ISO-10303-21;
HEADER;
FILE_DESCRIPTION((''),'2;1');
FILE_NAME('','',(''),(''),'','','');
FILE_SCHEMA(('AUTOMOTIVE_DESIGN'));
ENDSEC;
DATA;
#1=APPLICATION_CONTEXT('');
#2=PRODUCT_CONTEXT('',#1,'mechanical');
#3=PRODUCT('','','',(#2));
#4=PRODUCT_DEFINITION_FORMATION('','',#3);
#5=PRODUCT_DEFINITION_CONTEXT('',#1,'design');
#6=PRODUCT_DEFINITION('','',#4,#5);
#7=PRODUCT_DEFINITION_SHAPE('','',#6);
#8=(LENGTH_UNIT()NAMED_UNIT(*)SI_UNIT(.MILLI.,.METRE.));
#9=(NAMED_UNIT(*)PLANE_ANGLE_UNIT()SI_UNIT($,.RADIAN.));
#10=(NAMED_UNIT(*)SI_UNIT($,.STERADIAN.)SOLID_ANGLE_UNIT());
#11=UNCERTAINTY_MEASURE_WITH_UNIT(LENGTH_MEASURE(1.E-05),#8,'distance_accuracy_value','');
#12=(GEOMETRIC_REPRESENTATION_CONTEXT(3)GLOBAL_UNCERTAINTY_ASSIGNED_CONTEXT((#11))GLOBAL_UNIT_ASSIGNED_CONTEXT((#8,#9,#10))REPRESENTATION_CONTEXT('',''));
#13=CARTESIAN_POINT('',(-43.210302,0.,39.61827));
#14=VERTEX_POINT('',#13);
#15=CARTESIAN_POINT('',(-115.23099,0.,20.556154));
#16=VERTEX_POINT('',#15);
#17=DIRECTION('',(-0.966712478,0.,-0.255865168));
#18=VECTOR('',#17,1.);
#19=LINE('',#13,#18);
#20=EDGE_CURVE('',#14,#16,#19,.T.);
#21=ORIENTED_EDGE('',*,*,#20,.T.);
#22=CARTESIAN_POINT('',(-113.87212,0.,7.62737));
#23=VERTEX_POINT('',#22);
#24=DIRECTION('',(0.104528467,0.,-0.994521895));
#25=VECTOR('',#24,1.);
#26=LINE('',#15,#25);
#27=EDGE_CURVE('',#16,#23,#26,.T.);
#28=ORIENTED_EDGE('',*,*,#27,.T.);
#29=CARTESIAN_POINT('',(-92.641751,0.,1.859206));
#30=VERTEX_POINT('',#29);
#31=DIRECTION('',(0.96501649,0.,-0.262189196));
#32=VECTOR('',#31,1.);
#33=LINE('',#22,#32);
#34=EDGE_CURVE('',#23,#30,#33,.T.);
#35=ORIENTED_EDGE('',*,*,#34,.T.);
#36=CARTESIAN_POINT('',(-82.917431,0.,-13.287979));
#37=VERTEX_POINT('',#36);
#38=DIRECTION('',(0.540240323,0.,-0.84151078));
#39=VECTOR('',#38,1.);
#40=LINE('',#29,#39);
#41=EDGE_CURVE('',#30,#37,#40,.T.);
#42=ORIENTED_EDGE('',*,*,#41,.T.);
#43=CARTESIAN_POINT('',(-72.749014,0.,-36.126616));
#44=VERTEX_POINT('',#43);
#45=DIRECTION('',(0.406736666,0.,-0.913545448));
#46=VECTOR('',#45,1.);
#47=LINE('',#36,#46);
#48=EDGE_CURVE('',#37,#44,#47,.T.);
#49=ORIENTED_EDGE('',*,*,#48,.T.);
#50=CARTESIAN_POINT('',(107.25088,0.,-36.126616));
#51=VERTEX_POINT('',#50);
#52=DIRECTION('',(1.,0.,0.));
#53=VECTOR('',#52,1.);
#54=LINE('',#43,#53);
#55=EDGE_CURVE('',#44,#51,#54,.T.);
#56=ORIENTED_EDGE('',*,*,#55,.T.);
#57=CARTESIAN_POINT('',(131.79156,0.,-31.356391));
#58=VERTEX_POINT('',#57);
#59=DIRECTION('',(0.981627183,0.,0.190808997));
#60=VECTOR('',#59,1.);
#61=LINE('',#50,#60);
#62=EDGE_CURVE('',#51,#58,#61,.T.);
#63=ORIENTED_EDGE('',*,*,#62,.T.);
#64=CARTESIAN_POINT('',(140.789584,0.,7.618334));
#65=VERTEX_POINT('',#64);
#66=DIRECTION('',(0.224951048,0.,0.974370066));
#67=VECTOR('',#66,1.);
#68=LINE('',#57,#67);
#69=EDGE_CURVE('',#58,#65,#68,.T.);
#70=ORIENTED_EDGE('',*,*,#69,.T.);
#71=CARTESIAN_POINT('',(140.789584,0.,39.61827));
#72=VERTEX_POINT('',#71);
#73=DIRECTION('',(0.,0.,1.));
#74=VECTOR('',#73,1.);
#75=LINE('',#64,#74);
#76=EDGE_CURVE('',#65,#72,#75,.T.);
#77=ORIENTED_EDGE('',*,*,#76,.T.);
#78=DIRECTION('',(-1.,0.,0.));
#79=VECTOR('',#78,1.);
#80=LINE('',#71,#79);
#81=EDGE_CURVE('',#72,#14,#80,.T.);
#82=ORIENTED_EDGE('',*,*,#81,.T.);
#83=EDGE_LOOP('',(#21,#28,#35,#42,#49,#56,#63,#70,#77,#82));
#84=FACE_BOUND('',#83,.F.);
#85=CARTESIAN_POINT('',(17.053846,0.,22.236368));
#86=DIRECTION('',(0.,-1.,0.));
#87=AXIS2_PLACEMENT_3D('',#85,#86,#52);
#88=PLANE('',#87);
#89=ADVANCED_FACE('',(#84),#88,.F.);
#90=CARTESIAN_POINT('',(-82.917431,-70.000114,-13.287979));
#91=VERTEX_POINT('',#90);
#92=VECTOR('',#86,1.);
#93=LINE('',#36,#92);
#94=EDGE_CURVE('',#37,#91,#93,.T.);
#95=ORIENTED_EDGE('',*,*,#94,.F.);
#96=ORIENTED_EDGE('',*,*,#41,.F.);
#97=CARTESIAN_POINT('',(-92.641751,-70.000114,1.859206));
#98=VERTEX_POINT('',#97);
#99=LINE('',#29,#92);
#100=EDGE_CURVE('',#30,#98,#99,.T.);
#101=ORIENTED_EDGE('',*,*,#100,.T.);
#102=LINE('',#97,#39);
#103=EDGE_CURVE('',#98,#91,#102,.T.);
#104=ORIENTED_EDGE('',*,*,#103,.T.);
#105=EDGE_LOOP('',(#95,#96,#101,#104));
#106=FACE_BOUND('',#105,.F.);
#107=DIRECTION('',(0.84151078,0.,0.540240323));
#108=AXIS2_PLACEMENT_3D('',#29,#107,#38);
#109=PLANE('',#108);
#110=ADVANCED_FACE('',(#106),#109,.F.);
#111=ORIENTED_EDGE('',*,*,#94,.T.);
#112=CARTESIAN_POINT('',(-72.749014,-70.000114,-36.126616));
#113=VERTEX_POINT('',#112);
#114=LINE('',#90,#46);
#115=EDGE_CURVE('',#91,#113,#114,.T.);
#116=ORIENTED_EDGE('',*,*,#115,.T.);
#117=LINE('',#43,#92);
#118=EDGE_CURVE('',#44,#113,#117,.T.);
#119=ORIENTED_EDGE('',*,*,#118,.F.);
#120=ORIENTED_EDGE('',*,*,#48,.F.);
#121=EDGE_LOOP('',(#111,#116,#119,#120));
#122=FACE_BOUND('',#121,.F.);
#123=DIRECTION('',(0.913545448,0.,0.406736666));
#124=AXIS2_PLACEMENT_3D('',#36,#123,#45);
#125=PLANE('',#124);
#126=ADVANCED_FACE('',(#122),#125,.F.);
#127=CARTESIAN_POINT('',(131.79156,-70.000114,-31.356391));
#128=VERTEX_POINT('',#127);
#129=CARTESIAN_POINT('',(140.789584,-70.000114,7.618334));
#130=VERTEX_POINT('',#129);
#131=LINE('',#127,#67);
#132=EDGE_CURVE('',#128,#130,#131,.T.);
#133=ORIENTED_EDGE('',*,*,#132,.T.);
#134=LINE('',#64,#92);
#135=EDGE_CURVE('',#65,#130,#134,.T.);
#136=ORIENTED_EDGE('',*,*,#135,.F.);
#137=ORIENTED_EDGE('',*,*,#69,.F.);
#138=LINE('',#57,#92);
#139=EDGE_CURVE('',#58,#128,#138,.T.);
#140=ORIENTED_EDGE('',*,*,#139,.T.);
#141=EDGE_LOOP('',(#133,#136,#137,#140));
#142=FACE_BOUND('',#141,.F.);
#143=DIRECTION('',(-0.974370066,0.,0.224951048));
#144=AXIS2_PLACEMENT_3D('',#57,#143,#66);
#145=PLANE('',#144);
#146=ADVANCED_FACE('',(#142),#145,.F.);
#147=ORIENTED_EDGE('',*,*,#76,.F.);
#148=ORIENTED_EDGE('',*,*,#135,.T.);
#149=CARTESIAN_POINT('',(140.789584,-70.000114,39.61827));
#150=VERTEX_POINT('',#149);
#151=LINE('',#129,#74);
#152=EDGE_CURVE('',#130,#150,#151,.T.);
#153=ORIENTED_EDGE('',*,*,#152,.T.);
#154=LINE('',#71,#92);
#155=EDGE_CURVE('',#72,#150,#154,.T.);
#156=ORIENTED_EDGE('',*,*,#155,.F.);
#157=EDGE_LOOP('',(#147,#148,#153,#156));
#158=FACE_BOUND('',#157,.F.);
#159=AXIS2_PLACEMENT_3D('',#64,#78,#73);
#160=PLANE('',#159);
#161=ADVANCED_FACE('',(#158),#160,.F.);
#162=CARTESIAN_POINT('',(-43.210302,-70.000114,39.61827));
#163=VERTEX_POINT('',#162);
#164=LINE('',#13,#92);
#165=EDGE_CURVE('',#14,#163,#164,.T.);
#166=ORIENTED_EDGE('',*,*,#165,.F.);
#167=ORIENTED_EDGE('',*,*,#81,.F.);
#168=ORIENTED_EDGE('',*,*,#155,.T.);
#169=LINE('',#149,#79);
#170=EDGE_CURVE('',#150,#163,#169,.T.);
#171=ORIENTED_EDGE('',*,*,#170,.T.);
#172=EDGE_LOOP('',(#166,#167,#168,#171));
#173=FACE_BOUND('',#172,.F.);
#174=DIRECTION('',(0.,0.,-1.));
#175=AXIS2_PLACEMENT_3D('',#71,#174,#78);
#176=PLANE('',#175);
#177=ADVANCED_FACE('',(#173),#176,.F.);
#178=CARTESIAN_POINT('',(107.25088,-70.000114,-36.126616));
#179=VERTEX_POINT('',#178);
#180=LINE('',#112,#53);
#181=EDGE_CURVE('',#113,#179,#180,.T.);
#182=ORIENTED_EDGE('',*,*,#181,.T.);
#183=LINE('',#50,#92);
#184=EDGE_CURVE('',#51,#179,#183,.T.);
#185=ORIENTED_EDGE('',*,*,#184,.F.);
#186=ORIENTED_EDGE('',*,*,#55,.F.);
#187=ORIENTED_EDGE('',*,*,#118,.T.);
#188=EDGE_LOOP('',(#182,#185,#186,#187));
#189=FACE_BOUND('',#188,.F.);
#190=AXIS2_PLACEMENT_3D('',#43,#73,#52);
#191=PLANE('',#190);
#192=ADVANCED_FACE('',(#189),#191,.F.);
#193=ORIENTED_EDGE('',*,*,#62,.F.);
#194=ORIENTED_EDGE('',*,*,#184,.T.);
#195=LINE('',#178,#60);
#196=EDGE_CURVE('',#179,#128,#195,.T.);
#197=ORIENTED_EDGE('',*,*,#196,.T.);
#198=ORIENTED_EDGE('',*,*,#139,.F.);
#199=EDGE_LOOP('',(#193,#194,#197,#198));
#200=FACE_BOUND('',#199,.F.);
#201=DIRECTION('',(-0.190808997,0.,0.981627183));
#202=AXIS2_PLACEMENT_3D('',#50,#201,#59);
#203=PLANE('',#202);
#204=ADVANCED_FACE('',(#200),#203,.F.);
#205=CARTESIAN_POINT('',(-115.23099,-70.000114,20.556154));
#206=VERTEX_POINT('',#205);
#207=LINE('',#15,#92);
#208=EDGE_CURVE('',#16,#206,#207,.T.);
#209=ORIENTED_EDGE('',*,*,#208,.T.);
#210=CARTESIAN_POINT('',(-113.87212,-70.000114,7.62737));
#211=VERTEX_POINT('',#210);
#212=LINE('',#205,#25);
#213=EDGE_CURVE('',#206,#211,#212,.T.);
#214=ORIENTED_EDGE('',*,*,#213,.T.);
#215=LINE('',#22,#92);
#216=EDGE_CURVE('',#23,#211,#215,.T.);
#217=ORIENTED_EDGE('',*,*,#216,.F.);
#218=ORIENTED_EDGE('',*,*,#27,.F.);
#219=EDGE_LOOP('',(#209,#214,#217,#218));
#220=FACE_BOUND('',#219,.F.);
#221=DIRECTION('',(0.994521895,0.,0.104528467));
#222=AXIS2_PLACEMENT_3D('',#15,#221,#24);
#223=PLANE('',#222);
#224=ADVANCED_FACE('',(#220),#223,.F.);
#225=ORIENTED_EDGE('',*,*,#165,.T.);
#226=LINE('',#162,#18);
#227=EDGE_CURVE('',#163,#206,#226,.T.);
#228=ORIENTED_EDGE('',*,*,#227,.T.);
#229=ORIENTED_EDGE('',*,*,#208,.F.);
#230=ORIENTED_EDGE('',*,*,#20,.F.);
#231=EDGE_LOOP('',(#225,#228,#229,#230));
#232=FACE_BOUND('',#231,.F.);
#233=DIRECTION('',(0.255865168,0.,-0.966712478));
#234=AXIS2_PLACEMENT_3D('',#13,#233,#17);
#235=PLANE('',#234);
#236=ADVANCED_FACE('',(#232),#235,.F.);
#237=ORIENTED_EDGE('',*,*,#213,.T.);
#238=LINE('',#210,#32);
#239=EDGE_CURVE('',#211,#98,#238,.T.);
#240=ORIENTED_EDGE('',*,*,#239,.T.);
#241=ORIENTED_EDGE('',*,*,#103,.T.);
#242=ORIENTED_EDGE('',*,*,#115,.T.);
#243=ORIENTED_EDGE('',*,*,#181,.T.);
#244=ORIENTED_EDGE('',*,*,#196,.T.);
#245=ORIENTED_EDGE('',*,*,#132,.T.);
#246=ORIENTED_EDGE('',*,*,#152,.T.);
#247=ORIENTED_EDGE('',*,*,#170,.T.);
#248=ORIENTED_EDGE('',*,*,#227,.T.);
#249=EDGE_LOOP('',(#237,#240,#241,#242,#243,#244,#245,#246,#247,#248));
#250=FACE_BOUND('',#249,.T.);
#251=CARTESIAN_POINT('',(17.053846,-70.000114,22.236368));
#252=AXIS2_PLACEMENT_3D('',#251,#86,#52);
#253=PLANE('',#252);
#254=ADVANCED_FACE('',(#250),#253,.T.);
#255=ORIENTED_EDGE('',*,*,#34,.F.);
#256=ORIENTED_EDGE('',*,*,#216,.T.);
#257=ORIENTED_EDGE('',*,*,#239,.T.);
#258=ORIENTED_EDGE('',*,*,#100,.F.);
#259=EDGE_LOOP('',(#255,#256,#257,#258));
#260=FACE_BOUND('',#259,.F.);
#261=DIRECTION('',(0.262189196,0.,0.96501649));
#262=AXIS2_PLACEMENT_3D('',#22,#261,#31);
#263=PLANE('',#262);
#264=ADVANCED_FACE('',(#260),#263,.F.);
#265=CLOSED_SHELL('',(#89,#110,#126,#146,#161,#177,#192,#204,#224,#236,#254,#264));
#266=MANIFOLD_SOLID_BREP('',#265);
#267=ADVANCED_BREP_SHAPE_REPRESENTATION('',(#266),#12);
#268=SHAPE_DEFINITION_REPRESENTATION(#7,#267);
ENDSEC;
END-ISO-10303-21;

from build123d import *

# Parameters (mm, degrees)
F1_DEPTH = 70.000114


with BuildPart() as f1:
    # F0 (on Front) → F1 (new body)
    with BuildSketch(Plane.XZ):
        Polygon((140.789584, 39.61827), (-43.210302, 39.61827), (-115.23099, 20.556154), (-113.87212, 7.62737), (140.789584, 7.618334), align=None)
        Polygon((131.79156, -31.356391), (140.789584, 7.618334), (-113.87212, 7.62737), (-92.641751, 1.859206), (-82.917431, -13.287979), (-72.749014, -36.126616), (107.25088, -36.126616), align=None)
    extrude(amount=F1_DEPTH)


solid = f1.part
